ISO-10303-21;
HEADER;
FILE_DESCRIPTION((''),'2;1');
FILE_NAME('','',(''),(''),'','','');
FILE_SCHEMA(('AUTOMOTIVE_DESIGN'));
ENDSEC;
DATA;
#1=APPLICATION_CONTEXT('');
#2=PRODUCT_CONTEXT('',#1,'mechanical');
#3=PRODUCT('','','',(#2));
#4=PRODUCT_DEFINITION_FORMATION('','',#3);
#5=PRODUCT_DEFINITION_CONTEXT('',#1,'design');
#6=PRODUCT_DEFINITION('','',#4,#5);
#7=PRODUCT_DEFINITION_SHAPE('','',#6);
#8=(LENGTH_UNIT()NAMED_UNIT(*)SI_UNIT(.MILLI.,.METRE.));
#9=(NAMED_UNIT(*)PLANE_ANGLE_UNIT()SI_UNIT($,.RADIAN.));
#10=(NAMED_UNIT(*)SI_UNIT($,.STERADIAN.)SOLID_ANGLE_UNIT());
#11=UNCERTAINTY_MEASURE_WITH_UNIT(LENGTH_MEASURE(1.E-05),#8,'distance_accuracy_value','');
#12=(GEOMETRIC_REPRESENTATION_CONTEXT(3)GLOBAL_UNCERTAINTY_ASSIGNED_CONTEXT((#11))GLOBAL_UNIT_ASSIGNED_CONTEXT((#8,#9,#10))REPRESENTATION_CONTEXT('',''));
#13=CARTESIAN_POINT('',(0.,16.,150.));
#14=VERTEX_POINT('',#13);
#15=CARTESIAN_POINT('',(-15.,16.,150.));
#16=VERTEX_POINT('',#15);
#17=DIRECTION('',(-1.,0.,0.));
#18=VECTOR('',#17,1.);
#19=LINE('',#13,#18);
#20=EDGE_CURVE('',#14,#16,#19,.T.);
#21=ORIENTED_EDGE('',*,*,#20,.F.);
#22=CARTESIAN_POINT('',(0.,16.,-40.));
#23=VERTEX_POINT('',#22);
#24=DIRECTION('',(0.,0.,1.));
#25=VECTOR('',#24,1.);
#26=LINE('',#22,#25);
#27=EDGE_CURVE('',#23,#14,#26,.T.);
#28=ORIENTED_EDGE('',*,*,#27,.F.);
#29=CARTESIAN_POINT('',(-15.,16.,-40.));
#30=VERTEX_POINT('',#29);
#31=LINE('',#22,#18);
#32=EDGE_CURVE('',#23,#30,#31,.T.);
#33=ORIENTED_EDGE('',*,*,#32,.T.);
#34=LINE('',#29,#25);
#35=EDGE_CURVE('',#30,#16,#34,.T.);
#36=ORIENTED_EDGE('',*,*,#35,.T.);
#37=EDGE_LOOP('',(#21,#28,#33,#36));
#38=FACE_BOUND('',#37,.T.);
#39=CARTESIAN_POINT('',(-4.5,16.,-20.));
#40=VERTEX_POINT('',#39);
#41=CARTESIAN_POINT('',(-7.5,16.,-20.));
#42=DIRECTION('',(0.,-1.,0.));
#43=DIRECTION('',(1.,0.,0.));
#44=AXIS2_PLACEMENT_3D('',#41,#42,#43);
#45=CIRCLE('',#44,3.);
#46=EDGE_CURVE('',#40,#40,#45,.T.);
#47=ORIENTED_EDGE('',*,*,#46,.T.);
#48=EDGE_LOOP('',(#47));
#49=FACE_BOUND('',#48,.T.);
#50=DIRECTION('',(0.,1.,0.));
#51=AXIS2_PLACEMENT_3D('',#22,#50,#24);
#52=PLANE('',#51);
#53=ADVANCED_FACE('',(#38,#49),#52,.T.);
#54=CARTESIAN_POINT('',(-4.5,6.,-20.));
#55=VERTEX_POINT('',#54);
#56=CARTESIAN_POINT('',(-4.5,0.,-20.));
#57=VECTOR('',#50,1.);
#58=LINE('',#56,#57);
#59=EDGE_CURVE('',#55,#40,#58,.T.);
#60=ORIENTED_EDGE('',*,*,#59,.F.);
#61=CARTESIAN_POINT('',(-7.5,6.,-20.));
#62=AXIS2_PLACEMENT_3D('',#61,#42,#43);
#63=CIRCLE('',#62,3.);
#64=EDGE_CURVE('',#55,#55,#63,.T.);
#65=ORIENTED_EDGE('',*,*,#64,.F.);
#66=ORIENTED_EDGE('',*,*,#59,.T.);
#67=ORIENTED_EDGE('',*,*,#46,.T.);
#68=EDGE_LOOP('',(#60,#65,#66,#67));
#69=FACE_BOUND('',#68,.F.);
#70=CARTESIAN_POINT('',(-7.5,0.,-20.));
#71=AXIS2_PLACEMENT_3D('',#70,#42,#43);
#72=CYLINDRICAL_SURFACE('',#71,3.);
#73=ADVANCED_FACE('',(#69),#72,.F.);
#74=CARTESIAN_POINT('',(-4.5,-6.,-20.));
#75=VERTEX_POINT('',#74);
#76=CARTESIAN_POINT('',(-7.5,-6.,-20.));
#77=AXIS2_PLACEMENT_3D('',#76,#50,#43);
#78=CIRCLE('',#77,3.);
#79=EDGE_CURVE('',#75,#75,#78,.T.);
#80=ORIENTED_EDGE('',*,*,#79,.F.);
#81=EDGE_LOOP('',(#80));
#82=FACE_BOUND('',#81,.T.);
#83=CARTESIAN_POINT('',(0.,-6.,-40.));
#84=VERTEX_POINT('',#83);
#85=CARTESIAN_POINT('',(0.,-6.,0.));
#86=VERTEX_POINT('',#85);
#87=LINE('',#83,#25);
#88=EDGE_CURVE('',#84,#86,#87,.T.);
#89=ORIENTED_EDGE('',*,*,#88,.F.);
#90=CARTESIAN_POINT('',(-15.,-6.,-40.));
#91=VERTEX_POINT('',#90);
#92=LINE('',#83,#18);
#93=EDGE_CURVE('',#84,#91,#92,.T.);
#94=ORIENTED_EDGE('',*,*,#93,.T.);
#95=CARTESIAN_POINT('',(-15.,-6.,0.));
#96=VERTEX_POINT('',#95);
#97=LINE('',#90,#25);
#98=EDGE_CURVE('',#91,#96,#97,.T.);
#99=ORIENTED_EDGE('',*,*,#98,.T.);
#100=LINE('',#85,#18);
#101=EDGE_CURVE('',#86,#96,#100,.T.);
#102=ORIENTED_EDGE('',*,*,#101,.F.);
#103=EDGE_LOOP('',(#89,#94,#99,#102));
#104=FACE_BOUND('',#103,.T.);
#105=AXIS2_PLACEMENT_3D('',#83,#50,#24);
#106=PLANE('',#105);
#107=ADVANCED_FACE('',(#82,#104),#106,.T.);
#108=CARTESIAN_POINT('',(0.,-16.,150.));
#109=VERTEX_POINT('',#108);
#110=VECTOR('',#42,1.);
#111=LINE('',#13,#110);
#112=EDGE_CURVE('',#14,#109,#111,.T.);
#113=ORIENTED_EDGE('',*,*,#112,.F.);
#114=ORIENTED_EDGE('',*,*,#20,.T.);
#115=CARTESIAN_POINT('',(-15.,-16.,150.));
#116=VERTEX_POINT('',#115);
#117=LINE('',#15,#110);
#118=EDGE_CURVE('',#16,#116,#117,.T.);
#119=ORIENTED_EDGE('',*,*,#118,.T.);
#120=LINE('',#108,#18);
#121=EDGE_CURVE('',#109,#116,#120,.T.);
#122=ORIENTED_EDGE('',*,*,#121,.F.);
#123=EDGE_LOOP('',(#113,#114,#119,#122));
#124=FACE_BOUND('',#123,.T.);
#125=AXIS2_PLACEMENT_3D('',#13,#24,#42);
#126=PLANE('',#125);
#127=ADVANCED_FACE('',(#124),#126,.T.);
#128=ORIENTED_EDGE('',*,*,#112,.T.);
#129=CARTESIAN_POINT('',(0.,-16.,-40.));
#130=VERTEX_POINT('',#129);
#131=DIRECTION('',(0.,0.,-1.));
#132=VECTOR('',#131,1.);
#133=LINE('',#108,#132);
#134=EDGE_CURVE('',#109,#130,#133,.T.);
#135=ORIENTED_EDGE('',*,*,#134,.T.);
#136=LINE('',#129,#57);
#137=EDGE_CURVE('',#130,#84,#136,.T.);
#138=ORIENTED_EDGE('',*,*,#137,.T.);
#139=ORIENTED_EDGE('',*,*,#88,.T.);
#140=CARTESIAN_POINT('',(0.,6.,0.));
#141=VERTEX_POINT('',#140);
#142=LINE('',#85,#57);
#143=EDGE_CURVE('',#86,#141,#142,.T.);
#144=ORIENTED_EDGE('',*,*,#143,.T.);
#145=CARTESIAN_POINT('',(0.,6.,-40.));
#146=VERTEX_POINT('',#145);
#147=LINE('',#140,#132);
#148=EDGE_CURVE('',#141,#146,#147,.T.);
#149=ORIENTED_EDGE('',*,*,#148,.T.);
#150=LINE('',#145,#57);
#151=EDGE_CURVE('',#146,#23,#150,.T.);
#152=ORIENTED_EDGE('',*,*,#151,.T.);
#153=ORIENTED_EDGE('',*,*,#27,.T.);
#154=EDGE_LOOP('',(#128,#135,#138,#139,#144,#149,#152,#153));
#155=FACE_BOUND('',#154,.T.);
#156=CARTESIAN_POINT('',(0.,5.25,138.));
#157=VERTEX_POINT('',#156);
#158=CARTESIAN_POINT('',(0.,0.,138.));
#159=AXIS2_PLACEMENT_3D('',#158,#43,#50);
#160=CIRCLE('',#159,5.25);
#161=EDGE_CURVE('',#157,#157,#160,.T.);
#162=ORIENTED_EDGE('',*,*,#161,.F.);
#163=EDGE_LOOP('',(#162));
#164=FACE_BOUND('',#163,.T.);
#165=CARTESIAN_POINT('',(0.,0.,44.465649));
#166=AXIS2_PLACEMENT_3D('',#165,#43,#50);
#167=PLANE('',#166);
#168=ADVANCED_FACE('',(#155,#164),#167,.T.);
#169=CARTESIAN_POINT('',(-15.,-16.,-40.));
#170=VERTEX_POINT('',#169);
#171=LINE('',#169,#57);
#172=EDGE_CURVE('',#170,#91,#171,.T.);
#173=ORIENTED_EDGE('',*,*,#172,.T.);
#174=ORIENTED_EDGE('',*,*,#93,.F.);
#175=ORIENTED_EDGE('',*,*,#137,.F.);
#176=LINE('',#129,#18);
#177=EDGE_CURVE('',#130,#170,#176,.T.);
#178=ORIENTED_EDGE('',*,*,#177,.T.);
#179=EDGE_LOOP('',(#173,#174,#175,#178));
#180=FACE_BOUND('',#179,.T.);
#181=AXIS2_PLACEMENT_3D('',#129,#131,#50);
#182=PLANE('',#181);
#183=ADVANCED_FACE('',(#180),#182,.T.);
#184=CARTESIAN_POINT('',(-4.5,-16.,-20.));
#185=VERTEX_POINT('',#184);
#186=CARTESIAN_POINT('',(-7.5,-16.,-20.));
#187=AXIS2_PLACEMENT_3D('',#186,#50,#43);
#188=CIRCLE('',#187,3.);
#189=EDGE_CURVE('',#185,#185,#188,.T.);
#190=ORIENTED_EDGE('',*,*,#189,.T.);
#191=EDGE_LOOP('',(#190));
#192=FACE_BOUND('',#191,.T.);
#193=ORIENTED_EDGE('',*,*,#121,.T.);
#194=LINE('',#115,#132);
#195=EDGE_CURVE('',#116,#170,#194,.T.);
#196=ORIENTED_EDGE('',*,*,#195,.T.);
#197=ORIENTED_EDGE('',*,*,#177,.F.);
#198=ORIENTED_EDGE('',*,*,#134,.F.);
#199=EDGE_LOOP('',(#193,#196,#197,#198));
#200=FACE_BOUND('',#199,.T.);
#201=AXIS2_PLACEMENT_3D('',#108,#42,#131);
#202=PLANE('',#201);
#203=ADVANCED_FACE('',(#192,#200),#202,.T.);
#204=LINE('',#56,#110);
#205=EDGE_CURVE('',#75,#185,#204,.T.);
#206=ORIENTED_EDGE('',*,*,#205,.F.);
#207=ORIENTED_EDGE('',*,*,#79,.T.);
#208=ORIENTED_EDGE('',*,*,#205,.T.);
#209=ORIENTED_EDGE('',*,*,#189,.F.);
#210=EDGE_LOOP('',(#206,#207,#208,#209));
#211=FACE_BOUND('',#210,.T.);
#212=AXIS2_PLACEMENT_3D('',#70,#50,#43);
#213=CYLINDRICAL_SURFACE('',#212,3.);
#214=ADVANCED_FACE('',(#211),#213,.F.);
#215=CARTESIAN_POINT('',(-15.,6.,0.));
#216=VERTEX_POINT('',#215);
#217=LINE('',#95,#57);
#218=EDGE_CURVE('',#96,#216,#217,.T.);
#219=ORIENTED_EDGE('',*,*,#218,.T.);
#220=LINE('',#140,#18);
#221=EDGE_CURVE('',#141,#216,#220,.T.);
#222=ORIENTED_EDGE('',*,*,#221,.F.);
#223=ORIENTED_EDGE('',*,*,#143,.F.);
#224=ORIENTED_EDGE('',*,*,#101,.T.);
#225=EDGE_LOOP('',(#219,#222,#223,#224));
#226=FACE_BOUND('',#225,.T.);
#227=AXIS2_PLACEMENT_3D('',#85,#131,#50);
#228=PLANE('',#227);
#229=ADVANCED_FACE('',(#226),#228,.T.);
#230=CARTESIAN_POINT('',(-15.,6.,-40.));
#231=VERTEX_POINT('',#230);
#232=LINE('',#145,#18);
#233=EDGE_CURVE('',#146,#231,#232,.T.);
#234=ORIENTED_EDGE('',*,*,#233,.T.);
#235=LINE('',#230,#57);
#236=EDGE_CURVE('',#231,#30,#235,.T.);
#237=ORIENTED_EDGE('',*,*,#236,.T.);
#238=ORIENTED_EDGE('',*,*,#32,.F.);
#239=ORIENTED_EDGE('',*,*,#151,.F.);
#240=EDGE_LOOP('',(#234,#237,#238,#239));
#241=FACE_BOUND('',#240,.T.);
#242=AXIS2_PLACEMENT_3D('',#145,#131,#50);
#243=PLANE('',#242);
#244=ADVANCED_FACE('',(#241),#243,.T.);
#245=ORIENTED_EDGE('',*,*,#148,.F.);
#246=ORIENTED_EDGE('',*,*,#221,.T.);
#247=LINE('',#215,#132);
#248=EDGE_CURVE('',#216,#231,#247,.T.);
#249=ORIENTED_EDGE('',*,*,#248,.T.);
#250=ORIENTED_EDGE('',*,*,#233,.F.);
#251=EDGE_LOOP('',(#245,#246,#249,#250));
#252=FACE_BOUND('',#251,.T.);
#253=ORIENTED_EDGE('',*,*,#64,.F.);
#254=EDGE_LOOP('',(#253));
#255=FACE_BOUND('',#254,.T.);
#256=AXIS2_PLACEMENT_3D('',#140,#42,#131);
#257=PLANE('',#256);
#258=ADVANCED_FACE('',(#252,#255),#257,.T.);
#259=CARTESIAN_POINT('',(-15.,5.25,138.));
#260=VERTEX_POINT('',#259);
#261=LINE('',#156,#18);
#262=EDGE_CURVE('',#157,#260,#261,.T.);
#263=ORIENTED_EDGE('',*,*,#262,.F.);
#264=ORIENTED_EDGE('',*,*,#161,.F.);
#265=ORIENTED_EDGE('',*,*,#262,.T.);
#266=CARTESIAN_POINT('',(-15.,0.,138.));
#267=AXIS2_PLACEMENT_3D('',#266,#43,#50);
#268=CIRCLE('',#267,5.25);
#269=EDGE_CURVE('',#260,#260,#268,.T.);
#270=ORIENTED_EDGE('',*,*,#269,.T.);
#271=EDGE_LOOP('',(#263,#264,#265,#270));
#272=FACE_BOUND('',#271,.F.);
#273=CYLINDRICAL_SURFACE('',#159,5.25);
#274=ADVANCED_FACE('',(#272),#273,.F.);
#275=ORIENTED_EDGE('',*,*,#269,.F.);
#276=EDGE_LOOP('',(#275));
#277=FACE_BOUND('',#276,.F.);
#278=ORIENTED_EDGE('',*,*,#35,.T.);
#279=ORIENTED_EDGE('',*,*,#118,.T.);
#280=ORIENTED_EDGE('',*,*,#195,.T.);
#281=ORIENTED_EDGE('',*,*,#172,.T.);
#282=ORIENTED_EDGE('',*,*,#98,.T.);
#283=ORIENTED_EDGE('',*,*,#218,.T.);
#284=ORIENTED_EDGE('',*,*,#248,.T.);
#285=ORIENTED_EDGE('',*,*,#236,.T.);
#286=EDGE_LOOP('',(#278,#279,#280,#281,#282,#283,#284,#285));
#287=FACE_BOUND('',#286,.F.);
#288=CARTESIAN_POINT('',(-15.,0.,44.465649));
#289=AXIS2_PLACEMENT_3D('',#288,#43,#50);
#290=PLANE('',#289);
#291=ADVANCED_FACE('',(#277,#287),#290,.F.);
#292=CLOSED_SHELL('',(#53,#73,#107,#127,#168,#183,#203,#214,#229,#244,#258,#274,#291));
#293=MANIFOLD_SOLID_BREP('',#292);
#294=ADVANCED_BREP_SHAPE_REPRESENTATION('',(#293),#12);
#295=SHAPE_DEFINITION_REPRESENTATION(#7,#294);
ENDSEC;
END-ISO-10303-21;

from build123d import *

# Parameters (mm, degrees)
F0_R          = 5.25
F1_DEPTH      = 15
F2_R          = 3
F3_DEPTH      = 25
F3_DEPTH_BACK = 25


with BuildPart() as f1:
    # F0 (on Right) → F1 (new body)
    with BuildSketch(Plane.YZ):
        Polygon((-6, -40), (-6, 0), (6, 0), (6, -40), (16, -40), (16, 150), (-16, 150), (-16, -40), align=None)
        with Locations((0, 138)):
            Circle(F0_R, mode=Mode.SUBTRACT)
    extrude(amount=-F1_DEPTH)

    # F2 (on Front) → F3 (cut, two sides)
    with BuildSketch(Plane.XZ) as f3_sk:
        with Locations((-7.5, -20)):
            Circle(F2_R)
    extrude(amount=-F3_DEPTH, mode=Mode.SUBTRACT)
    extrude(f3_sk.sketch, amount=F3_DEPTH_BACK, mode=Mode.SUBTRACT)


solid = f1.part
